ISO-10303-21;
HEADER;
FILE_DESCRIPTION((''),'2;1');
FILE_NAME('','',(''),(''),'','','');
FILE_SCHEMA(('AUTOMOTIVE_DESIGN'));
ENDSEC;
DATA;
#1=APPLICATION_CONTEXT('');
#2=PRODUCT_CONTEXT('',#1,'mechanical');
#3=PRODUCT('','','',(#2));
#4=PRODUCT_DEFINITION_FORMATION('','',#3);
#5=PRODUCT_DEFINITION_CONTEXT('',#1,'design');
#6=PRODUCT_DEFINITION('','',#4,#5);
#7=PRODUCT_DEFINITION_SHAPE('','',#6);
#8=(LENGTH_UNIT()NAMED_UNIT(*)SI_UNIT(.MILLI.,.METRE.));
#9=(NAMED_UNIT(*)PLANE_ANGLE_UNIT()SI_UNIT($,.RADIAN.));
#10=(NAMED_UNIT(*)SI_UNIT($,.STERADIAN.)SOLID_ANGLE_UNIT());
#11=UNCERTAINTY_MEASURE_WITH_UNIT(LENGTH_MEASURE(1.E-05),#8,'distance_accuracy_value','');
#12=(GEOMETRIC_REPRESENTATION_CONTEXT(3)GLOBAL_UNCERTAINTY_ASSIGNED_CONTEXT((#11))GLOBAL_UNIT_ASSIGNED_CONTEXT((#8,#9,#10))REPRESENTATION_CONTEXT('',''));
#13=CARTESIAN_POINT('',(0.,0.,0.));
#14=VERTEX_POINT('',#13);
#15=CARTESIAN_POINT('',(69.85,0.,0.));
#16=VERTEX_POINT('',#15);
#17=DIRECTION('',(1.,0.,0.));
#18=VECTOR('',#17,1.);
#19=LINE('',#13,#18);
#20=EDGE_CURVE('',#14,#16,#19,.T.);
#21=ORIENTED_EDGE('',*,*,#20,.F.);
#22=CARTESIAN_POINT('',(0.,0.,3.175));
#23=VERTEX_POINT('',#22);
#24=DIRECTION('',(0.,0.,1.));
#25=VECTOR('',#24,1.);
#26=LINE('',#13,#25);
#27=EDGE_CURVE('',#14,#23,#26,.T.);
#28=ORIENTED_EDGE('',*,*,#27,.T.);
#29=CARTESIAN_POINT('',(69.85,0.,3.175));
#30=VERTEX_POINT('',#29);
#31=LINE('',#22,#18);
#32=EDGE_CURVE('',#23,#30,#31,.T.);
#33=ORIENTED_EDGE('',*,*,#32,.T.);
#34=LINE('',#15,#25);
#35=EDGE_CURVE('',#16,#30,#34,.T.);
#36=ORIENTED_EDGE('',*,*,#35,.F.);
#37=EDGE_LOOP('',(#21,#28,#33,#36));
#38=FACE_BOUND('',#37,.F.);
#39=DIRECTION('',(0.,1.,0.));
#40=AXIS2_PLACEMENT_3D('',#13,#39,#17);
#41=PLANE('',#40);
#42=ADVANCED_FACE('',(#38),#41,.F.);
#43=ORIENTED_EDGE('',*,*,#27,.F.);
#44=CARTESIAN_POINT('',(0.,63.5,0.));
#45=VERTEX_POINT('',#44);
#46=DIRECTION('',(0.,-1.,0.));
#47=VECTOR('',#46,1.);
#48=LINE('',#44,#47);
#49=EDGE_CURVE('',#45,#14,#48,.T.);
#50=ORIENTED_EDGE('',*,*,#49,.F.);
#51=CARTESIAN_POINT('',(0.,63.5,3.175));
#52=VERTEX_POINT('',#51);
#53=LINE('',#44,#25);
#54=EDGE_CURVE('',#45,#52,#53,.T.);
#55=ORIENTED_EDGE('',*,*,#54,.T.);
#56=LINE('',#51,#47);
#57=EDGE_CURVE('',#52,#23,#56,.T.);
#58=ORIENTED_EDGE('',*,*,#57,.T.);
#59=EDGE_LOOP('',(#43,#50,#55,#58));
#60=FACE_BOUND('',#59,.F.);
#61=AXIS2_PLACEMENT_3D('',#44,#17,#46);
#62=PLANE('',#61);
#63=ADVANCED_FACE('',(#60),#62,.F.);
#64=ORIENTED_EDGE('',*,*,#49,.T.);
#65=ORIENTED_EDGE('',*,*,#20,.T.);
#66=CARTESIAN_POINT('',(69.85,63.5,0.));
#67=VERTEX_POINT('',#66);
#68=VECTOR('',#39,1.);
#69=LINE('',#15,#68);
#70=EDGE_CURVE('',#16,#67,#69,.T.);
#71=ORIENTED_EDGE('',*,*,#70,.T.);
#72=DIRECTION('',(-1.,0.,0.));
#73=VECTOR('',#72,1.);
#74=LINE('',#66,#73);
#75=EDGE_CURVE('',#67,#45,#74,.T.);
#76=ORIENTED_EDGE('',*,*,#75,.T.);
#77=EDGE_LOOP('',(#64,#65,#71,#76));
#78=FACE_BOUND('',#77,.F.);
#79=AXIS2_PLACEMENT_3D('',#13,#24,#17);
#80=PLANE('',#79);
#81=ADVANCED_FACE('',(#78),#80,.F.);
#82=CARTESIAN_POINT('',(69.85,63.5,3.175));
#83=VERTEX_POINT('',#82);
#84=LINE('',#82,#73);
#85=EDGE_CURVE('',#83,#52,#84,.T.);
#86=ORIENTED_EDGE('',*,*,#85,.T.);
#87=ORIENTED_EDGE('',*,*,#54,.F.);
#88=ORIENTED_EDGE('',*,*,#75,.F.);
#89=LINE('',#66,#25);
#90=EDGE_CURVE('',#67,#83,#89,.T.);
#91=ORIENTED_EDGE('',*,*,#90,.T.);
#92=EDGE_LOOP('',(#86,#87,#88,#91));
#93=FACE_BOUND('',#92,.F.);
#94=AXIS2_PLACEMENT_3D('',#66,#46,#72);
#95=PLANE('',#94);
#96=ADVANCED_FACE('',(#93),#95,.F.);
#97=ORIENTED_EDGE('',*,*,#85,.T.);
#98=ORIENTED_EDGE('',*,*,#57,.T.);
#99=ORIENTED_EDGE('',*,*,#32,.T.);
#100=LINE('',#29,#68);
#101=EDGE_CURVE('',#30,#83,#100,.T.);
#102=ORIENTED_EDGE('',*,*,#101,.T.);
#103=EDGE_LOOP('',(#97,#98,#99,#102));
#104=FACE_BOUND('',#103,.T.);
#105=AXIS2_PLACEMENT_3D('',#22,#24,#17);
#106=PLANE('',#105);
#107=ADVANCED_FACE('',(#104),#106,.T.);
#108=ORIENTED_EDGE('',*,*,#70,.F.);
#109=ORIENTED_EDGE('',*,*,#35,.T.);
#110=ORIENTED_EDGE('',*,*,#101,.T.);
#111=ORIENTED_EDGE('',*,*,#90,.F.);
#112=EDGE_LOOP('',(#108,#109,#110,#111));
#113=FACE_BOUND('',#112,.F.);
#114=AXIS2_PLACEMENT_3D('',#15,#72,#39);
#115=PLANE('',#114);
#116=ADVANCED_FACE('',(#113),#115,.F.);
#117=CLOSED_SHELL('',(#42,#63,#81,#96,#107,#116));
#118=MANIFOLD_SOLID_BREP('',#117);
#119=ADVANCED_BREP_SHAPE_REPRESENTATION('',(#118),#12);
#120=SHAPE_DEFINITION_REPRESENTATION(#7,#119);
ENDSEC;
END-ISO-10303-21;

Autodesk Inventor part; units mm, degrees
ref_plane "YZ Plane" through (0, 0, 0) normal (1, 0, 0) x (0, 1, 0)
ref_plane "XZ Plane" through (0, 0, 0) normal (0, 1, 0) x (-1, 0, 0)
ref_plane "XY Plane" through (0, 0, 0) normal (0, 0, 1) x (1, 0, 0)
sketch "Sketch1" plane through (0, 0, 0) normal (0, 0, 1) x (1, 0, 0)
  line L0 (0, 0) -> (69.85, 0)
  line L1 (69.85, 0) -> (69.85, 63.5)
  line L2 (69.85, 63.5) -> (0, 63.5)
  line L3 (0, 63.5) -> (0, 0)
  dimension "d0" = 69.85
  dimension "d1" = 63.5
extrude "Extrusion1" add sketch "Sketch1" along normal blind 3.175
properties part number "SatelliteLexanPlate_v2"
